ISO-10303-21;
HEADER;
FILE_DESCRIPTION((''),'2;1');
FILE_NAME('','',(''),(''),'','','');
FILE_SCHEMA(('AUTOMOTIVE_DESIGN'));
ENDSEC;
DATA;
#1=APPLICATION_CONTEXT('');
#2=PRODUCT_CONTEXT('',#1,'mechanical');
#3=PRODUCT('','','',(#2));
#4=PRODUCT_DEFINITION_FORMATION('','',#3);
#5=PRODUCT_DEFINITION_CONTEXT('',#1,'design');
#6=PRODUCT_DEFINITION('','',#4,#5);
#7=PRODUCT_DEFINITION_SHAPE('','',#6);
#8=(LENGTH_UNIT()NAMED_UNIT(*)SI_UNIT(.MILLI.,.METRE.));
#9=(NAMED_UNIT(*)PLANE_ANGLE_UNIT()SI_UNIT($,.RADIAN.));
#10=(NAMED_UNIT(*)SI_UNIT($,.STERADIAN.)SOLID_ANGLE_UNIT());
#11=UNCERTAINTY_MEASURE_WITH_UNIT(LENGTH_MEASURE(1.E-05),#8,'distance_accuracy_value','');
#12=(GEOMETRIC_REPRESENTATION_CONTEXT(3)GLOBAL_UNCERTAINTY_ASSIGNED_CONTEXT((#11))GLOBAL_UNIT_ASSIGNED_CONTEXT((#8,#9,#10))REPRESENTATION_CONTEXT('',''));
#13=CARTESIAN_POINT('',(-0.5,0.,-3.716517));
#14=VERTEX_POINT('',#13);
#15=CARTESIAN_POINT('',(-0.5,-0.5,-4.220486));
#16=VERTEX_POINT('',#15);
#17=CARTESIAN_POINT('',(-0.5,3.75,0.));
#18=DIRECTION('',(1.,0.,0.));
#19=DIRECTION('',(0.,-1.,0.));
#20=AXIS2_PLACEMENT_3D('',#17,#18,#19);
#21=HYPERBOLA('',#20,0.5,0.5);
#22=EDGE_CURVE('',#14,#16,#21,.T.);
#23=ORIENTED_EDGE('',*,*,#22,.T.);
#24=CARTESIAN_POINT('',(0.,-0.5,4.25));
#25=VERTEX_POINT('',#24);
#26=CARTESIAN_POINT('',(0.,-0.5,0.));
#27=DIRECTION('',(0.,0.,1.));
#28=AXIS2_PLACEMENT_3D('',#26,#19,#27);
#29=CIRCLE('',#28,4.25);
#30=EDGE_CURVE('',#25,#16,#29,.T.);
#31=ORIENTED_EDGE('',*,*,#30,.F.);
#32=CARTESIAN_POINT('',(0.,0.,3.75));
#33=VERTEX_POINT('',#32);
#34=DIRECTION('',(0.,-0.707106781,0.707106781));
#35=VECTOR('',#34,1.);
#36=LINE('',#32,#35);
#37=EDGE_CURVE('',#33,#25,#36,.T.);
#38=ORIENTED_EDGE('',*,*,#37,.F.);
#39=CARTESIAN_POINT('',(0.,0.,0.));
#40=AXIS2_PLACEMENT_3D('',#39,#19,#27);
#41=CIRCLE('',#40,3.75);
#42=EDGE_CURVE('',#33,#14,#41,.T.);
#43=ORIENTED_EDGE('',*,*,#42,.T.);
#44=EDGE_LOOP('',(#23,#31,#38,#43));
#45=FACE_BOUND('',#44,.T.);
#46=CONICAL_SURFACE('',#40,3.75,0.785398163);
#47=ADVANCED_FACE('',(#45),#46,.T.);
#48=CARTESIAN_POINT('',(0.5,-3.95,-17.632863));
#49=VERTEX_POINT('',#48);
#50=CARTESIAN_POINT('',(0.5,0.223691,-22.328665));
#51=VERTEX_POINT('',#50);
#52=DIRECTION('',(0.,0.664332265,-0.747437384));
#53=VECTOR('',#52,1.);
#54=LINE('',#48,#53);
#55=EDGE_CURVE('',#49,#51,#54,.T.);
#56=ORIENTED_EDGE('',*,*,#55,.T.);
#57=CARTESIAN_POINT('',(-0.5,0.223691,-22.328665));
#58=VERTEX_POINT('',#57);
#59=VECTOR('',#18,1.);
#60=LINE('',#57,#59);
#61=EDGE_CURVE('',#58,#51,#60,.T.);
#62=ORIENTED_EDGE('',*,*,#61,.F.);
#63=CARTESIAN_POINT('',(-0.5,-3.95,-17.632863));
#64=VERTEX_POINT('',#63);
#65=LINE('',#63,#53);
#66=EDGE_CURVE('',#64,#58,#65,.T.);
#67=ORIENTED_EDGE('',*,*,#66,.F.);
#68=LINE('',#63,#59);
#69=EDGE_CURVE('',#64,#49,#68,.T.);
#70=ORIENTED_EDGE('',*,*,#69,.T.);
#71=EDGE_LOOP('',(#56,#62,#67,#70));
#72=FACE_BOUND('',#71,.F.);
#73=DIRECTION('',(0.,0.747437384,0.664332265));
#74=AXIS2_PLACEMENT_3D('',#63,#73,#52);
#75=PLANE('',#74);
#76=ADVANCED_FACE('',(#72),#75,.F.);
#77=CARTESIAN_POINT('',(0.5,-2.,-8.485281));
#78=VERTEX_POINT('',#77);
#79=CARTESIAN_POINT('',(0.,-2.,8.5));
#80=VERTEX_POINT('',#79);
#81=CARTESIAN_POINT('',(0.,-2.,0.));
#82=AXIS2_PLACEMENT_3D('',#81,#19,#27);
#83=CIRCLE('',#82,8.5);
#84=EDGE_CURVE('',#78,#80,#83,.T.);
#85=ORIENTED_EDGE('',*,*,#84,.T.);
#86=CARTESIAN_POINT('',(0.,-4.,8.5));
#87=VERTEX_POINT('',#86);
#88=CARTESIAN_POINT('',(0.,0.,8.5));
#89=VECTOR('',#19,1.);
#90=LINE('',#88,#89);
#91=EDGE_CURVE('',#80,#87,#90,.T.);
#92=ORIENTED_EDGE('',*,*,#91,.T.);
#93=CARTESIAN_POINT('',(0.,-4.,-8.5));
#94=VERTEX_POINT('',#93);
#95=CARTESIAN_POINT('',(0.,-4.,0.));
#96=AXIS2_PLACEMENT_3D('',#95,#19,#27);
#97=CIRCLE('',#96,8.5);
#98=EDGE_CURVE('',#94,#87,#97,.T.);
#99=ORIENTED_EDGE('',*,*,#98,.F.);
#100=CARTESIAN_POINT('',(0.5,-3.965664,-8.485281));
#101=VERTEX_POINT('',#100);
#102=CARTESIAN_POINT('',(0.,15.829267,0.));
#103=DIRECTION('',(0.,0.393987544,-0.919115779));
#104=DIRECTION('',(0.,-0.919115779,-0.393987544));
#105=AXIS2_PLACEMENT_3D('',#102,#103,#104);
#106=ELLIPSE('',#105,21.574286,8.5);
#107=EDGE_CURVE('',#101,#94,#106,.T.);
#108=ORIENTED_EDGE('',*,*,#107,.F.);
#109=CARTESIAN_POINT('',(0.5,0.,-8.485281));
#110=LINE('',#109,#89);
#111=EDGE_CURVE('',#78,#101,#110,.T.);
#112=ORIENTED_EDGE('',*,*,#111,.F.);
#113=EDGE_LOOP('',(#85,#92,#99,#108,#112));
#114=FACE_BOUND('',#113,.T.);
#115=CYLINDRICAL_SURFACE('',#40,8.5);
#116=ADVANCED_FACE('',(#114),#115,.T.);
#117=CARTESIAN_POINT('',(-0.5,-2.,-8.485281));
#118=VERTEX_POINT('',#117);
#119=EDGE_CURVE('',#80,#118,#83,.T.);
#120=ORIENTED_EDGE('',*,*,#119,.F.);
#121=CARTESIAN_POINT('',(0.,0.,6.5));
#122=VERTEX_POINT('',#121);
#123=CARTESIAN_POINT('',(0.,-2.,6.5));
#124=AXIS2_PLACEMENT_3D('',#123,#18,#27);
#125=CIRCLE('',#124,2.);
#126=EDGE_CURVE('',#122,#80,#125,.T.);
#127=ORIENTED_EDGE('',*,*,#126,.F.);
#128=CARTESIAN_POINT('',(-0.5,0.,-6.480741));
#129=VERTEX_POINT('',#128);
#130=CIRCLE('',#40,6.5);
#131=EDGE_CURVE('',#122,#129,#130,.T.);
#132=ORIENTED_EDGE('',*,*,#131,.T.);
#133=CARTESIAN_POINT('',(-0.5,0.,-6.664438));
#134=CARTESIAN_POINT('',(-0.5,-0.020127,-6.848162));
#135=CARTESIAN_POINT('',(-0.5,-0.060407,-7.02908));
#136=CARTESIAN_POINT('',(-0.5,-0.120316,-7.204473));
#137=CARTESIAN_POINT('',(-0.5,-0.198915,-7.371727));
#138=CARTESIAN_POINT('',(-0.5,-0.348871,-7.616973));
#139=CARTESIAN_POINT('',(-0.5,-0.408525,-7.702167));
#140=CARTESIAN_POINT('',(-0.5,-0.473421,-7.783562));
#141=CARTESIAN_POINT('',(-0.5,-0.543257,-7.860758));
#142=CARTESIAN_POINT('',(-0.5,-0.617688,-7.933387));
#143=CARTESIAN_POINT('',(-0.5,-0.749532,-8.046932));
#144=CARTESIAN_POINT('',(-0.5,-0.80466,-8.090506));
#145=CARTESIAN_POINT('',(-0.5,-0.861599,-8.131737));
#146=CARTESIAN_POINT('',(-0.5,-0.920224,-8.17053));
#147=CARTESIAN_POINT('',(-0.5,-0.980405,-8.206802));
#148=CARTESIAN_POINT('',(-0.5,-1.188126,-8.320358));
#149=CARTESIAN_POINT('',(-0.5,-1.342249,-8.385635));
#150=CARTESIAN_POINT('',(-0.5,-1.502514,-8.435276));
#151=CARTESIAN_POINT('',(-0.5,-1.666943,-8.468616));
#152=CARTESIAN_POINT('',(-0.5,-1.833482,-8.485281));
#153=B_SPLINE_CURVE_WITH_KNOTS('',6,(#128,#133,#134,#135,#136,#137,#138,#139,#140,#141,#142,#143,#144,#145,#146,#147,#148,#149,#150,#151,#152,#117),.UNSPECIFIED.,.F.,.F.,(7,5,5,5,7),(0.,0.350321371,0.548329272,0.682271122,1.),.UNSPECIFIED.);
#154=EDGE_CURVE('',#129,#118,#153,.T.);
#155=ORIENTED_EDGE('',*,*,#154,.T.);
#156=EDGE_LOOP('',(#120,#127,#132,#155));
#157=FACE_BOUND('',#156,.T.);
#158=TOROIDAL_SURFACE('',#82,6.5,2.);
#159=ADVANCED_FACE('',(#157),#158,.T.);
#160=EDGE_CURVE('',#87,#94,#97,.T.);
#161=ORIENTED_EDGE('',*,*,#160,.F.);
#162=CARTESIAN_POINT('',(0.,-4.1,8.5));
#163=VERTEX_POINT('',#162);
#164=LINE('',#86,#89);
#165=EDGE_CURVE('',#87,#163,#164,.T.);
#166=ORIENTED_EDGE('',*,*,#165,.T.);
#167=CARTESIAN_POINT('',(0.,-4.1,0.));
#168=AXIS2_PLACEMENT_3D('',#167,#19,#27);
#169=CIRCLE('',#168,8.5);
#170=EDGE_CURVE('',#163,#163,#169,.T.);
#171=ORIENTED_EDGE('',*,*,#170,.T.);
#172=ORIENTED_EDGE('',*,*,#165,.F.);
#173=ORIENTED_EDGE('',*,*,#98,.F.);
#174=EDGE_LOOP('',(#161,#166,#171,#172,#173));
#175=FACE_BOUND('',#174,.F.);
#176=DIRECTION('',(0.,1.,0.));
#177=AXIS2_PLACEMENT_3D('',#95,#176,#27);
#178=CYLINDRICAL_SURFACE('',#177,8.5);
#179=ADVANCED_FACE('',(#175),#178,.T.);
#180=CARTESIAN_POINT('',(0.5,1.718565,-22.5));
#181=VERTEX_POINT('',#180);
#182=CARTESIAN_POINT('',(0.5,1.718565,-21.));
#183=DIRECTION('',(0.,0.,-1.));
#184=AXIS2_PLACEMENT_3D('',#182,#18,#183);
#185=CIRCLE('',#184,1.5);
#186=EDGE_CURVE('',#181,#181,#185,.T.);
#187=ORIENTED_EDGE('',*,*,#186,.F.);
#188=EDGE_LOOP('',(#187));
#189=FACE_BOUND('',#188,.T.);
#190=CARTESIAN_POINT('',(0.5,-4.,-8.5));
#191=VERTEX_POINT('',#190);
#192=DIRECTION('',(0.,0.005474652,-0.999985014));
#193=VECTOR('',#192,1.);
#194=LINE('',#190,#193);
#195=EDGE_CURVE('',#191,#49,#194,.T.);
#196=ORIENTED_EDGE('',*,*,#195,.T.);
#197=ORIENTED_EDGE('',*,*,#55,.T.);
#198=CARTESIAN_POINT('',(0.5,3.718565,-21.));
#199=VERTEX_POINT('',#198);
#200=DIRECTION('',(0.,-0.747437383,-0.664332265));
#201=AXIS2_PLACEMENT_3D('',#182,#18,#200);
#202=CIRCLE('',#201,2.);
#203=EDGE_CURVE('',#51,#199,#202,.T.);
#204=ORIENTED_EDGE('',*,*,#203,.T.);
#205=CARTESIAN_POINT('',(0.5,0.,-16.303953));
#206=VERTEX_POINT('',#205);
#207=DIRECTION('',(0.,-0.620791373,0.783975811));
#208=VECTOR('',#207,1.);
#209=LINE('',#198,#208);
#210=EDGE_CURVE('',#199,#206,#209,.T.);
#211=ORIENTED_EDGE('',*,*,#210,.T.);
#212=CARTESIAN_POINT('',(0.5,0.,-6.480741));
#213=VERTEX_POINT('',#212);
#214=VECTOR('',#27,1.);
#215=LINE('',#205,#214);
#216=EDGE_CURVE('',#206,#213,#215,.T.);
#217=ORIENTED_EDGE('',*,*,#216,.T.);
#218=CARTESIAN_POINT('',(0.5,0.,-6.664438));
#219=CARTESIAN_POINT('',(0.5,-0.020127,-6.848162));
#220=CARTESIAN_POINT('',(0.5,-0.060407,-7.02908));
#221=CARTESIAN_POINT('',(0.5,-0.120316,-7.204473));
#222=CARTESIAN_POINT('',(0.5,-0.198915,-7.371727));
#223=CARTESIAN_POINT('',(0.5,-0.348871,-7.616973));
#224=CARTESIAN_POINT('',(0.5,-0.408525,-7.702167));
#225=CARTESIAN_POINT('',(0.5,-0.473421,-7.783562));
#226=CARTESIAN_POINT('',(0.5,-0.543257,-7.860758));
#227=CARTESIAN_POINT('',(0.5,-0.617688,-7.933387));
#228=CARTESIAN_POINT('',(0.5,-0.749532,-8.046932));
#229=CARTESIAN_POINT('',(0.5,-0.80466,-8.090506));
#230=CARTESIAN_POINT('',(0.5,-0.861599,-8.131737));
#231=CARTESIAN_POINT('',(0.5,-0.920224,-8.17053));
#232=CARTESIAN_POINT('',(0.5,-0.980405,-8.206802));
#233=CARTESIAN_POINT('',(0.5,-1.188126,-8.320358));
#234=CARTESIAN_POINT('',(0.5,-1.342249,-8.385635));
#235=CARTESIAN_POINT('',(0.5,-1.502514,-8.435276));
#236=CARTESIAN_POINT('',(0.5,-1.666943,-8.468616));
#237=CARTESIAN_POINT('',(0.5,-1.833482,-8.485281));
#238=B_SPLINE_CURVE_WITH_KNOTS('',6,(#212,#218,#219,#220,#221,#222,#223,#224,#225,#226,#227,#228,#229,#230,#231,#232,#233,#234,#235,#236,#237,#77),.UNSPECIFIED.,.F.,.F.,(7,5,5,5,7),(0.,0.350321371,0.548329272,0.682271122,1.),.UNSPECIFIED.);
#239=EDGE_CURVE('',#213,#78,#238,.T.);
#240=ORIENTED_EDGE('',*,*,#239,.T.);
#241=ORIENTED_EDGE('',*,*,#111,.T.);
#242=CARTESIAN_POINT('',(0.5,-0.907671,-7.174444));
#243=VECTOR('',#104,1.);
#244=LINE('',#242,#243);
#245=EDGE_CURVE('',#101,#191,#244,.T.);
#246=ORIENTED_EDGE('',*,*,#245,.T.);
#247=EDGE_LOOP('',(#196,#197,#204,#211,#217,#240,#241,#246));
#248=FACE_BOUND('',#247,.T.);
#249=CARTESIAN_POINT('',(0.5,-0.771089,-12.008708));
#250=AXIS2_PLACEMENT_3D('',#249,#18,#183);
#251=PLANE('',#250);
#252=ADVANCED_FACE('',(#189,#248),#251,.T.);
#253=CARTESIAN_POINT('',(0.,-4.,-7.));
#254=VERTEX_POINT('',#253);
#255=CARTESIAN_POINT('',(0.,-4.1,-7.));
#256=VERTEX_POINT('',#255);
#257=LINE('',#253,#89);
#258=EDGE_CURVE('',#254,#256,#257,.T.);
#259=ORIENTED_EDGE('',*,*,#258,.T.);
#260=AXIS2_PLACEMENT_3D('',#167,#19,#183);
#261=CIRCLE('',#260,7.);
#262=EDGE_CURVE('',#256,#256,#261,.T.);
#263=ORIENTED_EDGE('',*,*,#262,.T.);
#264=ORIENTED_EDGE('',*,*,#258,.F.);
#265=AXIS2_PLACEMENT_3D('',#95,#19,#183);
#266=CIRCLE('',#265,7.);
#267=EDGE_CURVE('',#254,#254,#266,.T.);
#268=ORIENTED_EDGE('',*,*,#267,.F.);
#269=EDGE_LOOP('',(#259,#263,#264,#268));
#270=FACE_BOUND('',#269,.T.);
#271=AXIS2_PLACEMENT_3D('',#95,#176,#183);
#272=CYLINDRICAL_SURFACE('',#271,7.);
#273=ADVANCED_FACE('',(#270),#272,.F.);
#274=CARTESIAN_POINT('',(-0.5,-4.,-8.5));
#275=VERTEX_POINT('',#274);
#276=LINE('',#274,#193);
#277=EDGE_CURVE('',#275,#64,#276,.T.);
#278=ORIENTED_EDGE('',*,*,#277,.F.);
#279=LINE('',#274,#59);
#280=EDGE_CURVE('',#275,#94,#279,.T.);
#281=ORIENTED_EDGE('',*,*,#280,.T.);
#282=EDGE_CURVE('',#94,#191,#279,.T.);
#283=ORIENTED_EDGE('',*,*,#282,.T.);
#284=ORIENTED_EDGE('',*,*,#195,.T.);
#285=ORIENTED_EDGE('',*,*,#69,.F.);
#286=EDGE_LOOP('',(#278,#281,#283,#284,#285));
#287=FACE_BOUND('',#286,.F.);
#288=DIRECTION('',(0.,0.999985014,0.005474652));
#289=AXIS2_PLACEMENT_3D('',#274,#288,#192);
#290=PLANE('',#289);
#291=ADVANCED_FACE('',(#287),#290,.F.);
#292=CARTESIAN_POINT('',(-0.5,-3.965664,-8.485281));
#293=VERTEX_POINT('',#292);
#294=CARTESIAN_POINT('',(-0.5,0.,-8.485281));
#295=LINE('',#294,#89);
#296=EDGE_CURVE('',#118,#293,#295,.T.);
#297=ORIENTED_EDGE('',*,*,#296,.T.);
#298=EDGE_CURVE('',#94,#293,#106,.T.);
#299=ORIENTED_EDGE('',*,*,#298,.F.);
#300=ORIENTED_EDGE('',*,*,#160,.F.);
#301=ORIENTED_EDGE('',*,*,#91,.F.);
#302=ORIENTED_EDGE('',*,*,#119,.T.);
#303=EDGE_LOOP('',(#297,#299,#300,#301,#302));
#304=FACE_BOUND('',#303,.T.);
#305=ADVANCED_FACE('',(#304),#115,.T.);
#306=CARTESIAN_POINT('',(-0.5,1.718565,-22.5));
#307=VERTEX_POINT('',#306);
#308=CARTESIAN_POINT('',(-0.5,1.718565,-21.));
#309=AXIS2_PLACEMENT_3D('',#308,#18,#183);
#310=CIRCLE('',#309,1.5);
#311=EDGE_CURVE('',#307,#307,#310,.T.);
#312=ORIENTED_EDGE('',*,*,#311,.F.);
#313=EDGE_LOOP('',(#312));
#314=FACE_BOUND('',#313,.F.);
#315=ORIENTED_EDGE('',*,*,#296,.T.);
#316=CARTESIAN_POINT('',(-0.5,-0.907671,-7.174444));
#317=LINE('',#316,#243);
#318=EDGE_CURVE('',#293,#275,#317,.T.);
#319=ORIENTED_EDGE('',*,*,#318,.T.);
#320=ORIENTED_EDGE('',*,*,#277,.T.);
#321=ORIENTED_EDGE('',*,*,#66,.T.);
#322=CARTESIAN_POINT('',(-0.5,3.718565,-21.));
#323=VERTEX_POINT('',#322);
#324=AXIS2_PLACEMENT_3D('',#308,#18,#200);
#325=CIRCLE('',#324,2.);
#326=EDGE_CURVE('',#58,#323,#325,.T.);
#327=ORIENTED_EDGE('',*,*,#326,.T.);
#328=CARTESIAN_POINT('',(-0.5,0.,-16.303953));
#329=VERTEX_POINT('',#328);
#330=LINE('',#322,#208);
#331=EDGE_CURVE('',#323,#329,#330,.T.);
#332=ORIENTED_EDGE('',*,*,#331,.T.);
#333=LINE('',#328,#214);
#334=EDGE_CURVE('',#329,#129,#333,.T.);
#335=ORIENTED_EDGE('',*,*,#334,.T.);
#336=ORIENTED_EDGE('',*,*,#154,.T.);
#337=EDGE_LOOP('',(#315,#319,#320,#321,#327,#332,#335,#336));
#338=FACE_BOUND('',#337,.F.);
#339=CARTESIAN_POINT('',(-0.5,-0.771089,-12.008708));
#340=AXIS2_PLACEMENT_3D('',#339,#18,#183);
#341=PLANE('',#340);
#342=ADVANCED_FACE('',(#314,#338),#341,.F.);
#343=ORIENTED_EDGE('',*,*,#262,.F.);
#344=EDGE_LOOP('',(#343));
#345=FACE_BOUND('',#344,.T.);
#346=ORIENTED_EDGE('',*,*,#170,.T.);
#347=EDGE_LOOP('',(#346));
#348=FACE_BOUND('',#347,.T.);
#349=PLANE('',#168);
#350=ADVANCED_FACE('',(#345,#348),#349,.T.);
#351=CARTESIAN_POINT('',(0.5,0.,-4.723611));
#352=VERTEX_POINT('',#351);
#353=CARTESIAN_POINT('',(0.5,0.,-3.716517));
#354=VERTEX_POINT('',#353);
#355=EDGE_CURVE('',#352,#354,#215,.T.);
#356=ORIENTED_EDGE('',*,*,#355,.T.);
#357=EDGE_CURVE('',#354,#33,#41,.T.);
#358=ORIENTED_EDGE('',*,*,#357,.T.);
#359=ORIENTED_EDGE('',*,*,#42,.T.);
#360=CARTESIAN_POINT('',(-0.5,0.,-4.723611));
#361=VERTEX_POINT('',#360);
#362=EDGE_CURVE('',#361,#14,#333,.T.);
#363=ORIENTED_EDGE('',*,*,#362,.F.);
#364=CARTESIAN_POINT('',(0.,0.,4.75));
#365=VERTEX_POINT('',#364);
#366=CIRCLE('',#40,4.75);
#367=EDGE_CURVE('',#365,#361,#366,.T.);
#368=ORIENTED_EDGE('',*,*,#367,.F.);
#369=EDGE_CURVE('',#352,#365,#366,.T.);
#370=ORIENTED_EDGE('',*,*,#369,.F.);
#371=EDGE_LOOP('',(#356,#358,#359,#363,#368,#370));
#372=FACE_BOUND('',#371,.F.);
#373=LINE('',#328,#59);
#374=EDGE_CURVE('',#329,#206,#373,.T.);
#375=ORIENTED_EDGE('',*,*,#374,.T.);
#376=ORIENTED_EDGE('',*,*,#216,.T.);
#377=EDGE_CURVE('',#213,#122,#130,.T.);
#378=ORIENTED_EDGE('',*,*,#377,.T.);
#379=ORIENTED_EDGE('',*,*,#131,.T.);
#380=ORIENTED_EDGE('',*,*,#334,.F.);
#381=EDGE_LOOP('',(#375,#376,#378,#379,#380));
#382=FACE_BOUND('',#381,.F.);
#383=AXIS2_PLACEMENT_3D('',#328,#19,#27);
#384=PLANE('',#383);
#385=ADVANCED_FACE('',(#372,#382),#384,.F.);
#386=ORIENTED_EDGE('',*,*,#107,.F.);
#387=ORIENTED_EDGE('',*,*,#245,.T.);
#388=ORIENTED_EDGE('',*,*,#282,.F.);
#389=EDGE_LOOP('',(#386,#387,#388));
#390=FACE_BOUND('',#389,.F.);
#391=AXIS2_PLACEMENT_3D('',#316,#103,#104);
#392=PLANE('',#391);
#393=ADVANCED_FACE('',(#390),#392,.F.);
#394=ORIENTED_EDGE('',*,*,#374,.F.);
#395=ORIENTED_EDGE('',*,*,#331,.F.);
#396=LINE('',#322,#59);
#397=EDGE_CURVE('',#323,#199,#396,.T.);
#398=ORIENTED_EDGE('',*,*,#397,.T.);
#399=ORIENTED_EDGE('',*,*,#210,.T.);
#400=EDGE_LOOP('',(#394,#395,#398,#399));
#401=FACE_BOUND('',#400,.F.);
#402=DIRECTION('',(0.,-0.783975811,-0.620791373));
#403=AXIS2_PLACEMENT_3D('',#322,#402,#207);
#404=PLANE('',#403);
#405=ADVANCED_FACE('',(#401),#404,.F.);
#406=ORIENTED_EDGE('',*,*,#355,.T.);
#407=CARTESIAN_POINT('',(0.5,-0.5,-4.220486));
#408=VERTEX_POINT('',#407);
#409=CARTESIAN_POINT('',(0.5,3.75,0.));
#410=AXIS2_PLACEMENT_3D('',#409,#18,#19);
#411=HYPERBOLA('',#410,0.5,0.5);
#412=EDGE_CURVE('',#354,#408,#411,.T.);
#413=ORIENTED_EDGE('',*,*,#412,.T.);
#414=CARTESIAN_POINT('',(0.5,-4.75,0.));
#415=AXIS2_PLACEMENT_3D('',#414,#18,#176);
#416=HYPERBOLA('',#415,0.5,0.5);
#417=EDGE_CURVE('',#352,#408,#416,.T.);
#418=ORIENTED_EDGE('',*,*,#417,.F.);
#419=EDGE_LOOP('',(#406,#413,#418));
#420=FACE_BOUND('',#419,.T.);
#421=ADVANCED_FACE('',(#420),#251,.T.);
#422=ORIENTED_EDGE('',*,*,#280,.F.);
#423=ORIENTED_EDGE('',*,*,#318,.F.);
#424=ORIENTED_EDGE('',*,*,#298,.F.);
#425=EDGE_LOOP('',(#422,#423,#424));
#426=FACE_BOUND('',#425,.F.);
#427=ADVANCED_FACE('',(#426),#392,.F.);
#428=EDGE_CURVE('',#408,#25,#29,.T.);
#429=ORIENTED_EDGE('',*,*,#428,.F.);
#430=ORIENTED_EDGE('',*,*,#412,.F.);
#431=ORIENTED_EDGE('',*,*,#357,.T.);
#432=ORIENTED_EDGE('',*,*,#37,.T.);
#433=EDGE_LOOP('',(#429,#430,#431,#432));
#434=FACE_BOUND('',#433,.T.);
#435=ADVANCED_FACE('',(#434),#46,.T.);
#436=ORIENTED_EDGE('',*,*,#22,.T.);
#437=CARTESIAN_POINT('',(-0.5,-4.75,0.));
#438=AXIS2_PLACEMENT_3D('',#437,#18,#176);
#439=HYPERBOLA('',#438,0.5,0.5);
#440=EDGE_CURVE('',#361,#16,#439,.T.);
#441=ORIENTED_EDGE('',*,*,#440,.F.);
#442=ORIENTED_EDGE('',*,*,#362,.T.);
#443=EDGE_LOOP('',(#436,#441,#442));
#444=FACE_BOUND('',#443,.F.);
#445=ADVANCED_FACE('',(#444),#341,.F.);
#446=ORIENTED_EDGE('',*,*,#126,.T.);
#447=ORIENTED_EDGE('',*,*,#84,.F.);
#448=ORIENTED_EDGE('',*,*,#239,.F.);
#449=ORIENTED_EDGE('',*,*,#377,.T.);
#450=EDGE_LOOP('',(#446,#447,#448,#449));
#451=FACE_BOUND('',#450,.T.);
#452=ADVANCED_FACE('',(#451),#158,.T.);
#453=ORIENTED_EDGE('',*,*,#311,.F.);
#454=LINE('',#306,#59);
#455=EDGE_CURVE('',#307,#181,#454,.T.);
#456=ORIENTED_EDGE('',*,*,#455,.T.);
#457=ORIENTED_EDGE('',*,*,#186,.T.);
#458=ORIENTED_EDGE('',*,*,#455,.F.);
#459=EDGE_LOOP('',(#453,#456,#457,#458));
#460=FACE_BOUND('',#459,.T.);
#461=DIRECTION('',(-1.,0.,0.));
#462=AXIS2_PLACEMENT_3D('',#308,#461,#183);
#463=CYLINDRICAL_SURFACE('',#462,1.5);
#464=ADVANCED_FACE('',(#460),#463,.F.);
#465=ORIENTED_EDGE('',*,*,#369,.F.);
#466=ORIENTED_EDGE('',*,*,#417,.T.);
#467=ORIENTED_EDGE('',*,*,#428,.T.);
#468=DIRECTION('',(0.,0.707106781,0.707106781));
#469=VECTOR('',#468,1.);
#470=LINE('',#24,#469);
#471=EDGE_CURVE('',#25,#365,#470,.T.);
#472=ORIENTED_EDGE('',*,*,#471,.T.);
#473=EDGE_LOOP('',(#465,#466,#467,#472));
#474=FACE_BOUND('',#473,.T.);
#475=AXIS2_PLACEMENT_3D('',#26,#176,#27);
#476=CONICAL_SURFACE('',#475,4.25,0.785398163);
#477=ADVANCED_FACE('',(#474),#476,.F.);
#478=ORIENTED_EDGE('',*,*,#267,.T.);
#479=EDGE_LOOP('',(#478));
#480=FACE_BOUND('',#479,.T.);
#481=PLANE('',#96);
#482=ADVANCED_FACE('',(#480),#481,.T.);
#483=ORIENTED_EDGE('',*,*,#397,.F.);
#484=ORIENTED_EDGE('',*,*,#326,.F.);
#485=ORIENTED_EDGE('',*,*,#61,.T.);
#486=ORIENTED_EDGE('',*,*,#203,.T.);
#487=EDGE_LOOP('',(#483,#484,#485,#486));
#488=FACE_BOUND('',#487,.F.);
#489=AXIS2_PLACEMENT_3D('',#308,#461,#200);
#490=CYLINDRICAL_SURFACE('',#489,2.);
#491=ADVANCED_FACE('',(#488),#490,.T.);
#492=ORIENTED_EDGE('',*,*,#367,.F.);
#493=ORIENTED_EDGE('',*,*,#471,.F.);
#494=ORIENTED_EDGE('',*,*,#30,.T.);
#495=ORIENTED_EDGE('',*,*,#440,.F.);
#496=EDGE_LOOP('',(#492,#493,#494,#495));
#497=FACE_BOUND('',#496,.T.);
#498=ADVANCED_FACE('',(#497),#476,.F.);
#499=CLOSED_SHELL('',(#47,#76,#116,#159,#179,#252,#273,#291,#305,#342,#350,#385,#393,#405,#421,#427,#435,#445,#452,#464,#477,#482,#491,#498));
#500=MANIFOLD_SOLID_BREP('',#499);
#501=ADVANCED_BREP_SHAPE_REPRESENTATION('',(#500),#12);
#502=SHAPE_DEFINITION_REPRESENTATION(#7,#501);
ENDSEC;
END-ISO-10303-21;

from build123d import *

# Parameters (mm, degrees)
FILLET1_R                = 2
SKETCH5_R                = 8.5
SKETCH5_R_2              = 7
BOSS_EXTRUDE1_DEPTH      = 0.1
BOSS_EXTRUDE2_DEPTH      = 0.5
BOSS_EXTRUDE2_DEPTH_BACK = 0.5
SKETCH6_R                = 1.5


with BuildPart() as part:
    # Sketch4 → Revolve1 (revolve)
    with BuildSketch(Plane(origin=(0, 0, 0), x_dir=(0, 0, -1), z_dir=(1, 0, 0))):
        Polygon((0, 0), (-3.75, 0), (-4.25, -0.5), (-4.75, 0), (-8.5, 0), (-8.5, -4), (0, -4), align=None)
    revolve(axis=Axis((0, 1.890471386, 0), (0, -1, 0)))

    # Fillet1
    fillet1_edges = [part.edges().sort_by_distance(p)[0] for p in [
        (0, 0, -8.5),
    ]]
    fillet(fillet1_edges, radius=FILLET1_R)



with BuildPart() as body_2:
    # Sketch5 → Boss-Extrude1 (new body)
    with BuildSketch(Plane.XZ.offset(4)):
        Circle(SKETCH5_R)
        Circle(SKETCH5_R_2, mode=Mode.SUBTRACT)
    extrude(amount=BOSS_EXTRUDE1_DEPTH)


with BuildPart() as part_1:
    add(part.part)

    add(body_2.part)  # Boss-Extrude2 merges body 2
    # Sketch6 → Boss-Extrude2 (add, two sides: drawn at the far end of the back side and taken through both)
    with BuildSketch(Plane(origin=(0, 0, 0), x_dir=(0, 0, -1), z_dir=(1, 0, 0)).offset(-BOSS_EXTRUDE2_DEPTH_BACK)):
        with BuildLine():
            Line((16.303953204, 0), (0, 0))
            Line((0, 0), (0, -0.907670556))
            Line((0, -0.907670556), (7.174444166, -0.907670556))
            Line((7.174444166, -0.907670556), (8.5, -4))
            Line((8.5, -4), (17.632863069, -3.95))
            Line((17.632863069, -3.95), (22.328664529, 0.223690648))
            ThreePointArc((22.328664529, 0.223690648), (22.869458415, 2.429287044), (21, 3.718565415))
            Line((21, 3.718565415), (16.303953204, 0))
        make_face()
        with Locations((21, 1.718565415)):
            Circle(SKETCH6_R, mode=Mode.SUBTRACT)
    extrude(amount=BOSS_EXTRUDE2_DEPTH + BOSS_EXTRUDE2_DEPTH_BACK)


solid = part_1.part
